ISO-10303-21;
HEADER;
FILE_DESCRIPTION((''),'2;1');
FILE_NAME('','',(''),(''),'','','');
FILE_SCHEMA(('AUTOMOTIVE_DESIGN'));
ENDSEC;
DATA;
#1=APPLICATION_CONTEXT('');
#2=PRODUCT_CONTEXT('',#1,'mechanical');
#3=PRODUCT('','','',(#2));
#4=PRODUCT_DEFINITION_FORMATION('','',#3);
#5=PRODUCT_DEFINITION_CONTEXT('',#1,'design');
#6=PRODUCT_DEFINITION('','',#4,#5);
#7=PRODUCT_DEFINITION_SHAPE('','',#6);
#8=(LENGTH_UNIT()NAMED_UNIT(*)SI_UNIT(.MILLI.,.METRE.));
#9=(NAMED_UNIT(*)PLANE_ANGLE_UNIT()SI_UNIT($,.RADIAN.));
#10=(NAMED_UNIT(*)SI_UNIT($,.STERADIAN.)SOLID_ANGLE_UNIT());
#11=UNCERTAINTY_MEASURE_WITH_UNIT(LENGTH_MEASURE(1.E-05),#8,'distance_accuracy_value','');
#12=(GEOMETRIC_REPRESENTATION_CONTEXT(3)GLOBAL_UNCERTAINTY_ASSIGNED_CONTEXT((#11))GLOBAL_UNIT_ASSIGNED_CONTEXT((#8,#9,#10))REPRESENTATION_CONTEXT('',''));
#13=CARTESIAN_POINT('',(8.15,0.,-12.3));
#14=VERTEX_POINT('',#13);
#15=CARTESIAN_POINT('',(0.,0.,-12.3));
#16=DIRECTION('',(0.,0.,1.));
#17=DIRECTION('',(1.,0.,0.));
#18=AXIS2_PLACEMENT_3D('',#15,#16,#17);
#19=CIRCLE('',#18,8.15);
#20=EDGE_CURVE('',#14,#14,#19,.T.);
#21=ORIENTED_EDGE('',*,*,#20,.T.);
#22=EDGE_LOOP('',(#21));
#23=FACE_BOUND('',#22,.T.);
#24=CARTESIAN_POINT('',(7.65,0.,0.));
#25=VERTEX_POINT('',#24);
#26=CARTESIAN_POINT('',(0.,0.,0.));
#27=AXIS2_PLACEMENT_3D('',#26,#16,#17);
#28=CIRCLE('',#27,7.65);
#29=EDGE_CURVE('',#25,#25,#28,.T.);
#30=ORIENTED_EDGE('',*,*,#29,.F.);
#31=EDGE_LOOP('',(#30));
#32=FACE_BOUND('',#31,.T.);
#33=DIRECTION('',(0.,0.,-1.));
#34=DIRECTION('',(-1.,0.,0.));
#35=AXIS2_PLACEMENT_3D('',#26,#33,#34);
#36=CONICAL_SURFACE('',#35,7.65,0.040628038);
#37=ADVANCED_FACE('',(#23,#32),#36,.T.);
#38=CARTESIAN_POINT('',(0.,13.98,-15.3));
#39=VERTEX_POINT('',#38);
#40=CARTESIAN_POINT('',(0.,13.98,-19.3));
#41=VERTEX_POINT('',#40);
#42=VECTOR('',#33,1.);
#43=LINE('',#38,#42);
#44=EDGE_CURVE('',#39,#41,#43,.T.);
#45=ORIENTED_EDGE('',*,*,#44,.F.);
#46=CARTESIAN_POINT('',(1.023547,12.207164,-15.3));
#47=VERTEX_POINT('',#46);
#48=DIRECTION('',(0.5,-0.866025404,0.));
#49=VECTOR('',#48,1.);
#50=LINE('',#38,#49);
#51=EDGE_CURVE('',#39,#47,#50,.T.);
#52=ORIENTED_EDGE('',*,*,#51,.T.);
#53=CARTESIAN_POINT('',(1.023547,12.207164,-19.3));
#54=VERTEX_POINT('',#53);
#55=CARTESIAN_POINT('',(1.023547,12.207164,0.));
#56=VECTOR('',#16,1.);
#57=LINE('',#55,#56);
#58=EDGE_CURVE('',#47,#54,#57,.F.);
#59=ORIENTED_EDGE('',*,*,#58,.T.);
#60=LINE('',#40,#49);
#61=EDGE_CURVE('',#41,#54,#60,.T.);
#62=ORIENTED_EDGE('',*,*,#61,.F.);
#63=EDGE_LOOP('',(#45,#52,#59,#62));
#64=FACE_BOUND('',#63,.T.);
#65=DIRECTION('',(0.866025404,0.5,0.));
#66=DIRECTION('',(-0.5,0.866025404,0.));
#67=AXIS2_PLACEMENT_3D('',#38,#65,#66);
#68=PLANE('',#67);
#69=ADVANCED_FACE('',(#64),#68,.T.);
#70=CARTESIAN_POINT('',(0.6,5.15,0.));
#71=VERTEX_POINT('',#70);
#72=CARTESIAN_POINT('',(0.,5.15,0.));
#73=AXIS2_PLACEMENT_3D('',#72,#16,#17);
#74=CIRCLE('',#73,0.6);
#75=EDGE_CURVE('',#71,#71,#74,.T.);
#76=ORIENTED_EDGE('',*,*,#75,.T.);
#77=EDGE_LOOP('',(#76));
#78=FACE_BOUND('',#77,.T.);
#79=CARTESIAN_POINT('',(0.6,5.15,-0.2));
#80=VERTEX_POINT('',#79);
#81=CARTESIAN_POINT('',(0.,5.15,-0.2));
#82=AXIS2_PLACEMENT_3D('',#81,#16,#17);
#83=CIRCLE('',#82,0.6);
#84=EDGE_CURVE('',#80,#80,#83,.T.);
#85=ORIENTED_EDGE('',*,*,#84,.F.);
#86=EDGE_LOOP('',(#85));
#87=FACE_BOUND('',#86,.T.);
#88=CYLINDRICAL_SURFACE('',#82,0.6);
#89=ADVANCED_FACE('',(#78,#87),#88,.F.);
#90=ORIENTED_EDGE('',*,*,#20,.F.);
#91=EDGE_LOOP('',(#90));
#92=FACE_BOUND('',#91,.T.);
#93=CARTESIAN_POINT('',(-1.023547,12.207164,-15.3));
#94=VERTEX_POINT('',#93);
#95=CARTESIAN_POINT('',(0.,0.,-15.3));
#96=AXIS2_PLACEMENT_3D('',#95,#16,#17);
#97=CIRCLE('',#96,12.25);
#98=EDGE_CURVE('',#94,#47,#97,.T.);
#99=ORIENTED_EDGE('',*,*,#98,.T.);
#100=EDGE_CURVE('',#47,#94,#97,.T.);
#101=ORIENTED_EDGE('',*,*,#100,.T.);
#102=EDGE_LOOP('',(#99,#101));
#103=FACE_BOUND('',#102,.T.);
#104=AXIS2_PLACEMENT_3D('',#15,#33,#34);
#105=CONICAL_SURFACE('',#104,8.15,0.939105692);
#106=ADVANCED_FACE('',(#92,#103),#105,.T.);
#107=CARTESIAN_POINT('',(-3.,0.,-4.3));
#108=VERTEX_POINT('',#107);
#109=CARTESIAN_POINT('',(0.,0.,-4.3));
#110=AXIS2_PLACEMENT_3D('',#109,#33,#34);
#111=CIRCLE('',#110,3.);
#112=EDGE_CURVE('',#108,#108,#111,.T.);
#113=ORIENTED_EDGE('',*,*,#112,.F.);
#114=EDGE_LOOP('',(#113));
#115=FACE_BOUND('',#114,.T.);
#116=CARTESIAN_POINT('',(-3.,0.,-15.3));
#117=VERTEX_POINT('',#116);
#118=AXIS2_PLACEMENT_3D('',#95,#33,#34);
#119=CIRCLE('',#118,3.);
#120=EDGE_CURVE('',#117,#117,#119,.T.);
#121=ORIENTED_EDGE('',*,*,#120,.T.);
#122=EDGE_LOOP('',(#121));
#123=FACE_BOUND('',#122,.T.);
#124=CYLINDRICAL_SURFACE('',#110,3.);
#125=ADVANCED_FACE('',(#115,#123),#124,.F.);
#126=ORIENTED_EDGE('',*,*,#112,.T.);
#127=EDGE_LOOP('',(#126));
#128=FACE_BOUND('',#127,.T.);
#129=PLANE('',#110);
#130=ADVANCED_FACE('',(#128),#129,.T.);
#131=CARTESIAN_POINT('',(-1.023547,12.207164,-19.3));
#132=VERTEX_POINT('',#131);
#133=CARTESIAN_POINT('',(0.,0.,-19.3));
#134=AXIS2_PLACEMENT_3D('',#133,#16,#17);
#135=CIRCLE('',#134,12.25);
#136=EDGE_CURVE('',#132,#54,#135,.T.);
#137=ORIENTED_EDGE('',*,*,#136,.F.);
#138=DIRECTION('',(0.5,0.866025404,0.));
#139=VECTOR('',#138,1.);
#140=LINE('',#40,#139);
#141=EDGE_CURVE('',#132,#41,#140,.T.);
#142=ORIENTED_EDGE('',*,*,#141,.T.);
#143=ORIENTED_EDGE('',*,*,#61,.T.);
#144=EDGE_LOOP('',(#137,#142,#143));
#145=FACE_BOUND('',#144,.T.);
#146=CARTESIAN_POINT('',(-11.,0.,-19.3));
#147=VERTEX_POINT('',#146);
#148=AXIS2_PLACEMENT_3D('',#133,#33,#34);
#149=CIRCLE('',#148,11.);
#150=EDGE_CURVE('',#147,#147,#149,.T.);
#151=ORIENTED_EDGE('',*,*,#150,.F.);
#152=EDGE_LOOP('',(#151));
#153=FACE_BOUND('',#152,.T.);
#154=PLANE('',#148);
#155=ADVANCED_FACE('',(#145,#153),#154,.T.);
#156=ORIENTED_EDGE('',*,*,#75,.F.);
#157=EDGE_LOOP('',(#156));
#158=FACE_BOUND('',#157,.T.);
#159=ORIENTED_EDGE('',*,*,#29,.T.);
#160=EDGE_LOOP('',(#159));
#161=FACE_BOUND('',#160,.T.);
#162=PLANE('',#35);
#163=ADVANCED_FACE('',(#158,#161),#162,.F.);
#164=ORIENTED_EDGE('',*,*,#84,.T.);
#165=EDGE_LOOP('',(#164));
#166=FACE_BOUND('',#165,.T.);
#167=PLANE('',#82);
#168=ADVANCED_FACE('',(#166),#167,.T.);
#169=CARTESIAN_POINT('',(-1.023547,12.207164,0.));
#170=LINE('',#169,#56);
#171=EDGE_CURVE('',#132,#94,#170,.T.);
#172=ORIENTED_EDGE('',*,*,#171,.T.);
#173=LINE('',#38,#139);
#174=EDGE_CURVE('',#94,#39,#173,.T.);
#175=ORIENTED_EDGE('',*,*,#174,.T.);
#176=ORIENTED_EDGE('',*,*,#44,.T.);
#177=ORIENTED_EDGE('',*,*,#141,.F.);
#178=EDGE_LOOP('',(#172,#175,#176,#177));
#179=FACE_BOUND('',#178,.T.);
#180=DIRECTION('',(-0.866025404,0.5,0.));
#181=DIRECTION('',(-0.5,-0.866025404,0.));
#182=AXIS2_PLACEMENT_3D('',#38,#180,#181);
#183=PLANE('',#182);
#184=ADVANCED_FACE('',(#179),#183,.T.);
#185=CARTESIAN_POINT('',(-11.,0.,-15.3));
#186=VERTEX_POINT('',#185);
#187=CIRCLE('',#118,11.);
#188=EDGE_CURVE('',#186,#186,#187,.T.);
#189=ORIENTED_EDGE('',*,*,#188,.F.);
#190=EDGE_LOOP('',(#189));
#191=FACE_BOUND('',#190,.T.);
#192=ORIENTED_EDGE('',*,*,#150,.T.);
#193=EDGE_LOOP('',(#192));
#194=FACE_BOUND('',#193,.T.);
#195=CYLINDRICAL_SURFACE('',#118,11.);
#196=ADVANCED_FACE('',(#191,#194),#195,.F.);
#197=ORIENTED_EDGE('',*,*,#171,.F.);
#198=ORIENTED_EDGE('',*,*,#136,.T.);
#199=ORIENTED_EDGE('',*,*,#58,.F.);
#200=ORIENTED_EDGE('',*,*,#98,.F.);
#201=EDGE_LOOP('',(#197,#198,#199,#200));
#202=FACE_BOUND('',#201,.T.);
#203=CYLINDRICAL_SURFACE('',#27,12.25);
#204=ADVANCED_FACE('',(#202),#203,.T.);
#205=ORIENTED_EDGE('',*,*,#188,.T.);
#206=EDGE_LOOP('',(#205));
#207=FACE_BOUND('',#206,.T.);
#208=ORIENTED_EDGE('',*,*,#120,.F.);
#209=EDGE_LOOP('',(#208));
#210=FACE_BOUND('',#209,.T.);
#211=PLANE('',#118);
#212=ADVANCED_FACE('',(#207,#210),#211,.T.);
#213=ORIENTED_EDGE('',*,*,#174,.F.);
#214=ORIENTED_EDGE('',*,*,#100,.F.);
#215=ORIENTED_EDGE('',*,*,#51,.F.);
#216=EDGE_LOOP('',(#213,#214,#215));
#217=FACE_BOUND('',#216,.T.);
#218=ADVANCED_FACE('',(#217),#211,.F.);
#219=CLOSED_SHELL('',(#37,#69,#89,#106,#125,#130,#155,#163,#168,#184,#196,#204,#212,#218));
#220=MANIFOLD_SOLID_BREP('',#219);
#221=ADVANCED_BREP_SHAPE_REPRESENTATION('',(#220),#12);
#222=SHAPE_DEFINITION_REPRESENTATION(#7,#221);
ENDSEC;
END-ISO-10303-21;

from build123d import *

# Parameters (mm, degrees)
SKETCH2_ONE_SIDE_W  = 4
SKETCH2_ONE_SIDE_H  = 12.25
BOSS_EXTRUDE1_DEPTH = 4
SKETCH4_R           = 0.6
CUT_EXTRUDE1_DEPTH  = 0.2
SKETCH5_R           = 11
CUT_EXTRUDE2_DEPTH  = 4
SKETCH6_R           = 3
CUT_EXTRUDE3_DEPTH  = 11


with BuildPart() as part:
    # Sketch2 one side → Revolve3 (revolve)
    with BuildSketch(Plane(origin=(0, 0, 0), x_dir=(0, 0, -1), z_dir=(1, 0, 0))):
        Polygon((12.3, 0), (12.3, 8.15), (0, 7.65), (0, 0), align=None)
        Polygon((15.3, 0), (15.3, 12.25), (12.3, 8.15), (12.3, 0), align=None)
        with Locations((17.3, 6.125)):
            Rectangle(SKETCH2_ONE_SIDE_W, SKETCH2_ONE_SIDE_H)
    revolve(axis=Axis((0, 0, 0), (0, 0, -1)))

    # Sketch3 → Boss-Extrude1 (add)
    with BuildSketch(Plane(origin=(0, 0, -19.3), x_dir=(-1, 0, 0), z_dir=(0, 0, -1))):
        Polygon((0, 13.98), (1.154700538, 11.98), (-1.154700538, 11.98), align=None)
    extrude(amount=-BOSS_EXTRUDE1_DEPTH)

    # Sketch4 → Cut-Extrude1 (cut)
    with BuildSketch(Plane.XY):
        with Locations((0, 5.15)):
            Circle(SKETCH4_R)
    extrude(amount=-CUT_EXTRUDE1_DEPTH, mode=Mode.SUBTRACT)

    # Sketch5 → Cut-Extrude2 (cut)
    with BuildSketch(Plane(origin=(0, 0, -19.3), x_dir=(-1, 0, 0), z_dir=(0, 0, -1))):
        Circle(SKETCH5_R)
    extrude(amount=-CUT_EXTRUDE2_DEPTH, mode=Mode.SUBTRACT)

    # Sketch6 → Cut-Extrude3 (cut)
    with BuildSketch(Plane(origin=(0, 0, -15.3), x_dir=(-1, 0, 0), z_dir=(0, 0, -1))):
        Circle(SKETCH6_R)
    extrude(amount=-CUT_EXTRUDE3_DEPTH, mode=Mode.SUBTRACT)


solid = part.part
